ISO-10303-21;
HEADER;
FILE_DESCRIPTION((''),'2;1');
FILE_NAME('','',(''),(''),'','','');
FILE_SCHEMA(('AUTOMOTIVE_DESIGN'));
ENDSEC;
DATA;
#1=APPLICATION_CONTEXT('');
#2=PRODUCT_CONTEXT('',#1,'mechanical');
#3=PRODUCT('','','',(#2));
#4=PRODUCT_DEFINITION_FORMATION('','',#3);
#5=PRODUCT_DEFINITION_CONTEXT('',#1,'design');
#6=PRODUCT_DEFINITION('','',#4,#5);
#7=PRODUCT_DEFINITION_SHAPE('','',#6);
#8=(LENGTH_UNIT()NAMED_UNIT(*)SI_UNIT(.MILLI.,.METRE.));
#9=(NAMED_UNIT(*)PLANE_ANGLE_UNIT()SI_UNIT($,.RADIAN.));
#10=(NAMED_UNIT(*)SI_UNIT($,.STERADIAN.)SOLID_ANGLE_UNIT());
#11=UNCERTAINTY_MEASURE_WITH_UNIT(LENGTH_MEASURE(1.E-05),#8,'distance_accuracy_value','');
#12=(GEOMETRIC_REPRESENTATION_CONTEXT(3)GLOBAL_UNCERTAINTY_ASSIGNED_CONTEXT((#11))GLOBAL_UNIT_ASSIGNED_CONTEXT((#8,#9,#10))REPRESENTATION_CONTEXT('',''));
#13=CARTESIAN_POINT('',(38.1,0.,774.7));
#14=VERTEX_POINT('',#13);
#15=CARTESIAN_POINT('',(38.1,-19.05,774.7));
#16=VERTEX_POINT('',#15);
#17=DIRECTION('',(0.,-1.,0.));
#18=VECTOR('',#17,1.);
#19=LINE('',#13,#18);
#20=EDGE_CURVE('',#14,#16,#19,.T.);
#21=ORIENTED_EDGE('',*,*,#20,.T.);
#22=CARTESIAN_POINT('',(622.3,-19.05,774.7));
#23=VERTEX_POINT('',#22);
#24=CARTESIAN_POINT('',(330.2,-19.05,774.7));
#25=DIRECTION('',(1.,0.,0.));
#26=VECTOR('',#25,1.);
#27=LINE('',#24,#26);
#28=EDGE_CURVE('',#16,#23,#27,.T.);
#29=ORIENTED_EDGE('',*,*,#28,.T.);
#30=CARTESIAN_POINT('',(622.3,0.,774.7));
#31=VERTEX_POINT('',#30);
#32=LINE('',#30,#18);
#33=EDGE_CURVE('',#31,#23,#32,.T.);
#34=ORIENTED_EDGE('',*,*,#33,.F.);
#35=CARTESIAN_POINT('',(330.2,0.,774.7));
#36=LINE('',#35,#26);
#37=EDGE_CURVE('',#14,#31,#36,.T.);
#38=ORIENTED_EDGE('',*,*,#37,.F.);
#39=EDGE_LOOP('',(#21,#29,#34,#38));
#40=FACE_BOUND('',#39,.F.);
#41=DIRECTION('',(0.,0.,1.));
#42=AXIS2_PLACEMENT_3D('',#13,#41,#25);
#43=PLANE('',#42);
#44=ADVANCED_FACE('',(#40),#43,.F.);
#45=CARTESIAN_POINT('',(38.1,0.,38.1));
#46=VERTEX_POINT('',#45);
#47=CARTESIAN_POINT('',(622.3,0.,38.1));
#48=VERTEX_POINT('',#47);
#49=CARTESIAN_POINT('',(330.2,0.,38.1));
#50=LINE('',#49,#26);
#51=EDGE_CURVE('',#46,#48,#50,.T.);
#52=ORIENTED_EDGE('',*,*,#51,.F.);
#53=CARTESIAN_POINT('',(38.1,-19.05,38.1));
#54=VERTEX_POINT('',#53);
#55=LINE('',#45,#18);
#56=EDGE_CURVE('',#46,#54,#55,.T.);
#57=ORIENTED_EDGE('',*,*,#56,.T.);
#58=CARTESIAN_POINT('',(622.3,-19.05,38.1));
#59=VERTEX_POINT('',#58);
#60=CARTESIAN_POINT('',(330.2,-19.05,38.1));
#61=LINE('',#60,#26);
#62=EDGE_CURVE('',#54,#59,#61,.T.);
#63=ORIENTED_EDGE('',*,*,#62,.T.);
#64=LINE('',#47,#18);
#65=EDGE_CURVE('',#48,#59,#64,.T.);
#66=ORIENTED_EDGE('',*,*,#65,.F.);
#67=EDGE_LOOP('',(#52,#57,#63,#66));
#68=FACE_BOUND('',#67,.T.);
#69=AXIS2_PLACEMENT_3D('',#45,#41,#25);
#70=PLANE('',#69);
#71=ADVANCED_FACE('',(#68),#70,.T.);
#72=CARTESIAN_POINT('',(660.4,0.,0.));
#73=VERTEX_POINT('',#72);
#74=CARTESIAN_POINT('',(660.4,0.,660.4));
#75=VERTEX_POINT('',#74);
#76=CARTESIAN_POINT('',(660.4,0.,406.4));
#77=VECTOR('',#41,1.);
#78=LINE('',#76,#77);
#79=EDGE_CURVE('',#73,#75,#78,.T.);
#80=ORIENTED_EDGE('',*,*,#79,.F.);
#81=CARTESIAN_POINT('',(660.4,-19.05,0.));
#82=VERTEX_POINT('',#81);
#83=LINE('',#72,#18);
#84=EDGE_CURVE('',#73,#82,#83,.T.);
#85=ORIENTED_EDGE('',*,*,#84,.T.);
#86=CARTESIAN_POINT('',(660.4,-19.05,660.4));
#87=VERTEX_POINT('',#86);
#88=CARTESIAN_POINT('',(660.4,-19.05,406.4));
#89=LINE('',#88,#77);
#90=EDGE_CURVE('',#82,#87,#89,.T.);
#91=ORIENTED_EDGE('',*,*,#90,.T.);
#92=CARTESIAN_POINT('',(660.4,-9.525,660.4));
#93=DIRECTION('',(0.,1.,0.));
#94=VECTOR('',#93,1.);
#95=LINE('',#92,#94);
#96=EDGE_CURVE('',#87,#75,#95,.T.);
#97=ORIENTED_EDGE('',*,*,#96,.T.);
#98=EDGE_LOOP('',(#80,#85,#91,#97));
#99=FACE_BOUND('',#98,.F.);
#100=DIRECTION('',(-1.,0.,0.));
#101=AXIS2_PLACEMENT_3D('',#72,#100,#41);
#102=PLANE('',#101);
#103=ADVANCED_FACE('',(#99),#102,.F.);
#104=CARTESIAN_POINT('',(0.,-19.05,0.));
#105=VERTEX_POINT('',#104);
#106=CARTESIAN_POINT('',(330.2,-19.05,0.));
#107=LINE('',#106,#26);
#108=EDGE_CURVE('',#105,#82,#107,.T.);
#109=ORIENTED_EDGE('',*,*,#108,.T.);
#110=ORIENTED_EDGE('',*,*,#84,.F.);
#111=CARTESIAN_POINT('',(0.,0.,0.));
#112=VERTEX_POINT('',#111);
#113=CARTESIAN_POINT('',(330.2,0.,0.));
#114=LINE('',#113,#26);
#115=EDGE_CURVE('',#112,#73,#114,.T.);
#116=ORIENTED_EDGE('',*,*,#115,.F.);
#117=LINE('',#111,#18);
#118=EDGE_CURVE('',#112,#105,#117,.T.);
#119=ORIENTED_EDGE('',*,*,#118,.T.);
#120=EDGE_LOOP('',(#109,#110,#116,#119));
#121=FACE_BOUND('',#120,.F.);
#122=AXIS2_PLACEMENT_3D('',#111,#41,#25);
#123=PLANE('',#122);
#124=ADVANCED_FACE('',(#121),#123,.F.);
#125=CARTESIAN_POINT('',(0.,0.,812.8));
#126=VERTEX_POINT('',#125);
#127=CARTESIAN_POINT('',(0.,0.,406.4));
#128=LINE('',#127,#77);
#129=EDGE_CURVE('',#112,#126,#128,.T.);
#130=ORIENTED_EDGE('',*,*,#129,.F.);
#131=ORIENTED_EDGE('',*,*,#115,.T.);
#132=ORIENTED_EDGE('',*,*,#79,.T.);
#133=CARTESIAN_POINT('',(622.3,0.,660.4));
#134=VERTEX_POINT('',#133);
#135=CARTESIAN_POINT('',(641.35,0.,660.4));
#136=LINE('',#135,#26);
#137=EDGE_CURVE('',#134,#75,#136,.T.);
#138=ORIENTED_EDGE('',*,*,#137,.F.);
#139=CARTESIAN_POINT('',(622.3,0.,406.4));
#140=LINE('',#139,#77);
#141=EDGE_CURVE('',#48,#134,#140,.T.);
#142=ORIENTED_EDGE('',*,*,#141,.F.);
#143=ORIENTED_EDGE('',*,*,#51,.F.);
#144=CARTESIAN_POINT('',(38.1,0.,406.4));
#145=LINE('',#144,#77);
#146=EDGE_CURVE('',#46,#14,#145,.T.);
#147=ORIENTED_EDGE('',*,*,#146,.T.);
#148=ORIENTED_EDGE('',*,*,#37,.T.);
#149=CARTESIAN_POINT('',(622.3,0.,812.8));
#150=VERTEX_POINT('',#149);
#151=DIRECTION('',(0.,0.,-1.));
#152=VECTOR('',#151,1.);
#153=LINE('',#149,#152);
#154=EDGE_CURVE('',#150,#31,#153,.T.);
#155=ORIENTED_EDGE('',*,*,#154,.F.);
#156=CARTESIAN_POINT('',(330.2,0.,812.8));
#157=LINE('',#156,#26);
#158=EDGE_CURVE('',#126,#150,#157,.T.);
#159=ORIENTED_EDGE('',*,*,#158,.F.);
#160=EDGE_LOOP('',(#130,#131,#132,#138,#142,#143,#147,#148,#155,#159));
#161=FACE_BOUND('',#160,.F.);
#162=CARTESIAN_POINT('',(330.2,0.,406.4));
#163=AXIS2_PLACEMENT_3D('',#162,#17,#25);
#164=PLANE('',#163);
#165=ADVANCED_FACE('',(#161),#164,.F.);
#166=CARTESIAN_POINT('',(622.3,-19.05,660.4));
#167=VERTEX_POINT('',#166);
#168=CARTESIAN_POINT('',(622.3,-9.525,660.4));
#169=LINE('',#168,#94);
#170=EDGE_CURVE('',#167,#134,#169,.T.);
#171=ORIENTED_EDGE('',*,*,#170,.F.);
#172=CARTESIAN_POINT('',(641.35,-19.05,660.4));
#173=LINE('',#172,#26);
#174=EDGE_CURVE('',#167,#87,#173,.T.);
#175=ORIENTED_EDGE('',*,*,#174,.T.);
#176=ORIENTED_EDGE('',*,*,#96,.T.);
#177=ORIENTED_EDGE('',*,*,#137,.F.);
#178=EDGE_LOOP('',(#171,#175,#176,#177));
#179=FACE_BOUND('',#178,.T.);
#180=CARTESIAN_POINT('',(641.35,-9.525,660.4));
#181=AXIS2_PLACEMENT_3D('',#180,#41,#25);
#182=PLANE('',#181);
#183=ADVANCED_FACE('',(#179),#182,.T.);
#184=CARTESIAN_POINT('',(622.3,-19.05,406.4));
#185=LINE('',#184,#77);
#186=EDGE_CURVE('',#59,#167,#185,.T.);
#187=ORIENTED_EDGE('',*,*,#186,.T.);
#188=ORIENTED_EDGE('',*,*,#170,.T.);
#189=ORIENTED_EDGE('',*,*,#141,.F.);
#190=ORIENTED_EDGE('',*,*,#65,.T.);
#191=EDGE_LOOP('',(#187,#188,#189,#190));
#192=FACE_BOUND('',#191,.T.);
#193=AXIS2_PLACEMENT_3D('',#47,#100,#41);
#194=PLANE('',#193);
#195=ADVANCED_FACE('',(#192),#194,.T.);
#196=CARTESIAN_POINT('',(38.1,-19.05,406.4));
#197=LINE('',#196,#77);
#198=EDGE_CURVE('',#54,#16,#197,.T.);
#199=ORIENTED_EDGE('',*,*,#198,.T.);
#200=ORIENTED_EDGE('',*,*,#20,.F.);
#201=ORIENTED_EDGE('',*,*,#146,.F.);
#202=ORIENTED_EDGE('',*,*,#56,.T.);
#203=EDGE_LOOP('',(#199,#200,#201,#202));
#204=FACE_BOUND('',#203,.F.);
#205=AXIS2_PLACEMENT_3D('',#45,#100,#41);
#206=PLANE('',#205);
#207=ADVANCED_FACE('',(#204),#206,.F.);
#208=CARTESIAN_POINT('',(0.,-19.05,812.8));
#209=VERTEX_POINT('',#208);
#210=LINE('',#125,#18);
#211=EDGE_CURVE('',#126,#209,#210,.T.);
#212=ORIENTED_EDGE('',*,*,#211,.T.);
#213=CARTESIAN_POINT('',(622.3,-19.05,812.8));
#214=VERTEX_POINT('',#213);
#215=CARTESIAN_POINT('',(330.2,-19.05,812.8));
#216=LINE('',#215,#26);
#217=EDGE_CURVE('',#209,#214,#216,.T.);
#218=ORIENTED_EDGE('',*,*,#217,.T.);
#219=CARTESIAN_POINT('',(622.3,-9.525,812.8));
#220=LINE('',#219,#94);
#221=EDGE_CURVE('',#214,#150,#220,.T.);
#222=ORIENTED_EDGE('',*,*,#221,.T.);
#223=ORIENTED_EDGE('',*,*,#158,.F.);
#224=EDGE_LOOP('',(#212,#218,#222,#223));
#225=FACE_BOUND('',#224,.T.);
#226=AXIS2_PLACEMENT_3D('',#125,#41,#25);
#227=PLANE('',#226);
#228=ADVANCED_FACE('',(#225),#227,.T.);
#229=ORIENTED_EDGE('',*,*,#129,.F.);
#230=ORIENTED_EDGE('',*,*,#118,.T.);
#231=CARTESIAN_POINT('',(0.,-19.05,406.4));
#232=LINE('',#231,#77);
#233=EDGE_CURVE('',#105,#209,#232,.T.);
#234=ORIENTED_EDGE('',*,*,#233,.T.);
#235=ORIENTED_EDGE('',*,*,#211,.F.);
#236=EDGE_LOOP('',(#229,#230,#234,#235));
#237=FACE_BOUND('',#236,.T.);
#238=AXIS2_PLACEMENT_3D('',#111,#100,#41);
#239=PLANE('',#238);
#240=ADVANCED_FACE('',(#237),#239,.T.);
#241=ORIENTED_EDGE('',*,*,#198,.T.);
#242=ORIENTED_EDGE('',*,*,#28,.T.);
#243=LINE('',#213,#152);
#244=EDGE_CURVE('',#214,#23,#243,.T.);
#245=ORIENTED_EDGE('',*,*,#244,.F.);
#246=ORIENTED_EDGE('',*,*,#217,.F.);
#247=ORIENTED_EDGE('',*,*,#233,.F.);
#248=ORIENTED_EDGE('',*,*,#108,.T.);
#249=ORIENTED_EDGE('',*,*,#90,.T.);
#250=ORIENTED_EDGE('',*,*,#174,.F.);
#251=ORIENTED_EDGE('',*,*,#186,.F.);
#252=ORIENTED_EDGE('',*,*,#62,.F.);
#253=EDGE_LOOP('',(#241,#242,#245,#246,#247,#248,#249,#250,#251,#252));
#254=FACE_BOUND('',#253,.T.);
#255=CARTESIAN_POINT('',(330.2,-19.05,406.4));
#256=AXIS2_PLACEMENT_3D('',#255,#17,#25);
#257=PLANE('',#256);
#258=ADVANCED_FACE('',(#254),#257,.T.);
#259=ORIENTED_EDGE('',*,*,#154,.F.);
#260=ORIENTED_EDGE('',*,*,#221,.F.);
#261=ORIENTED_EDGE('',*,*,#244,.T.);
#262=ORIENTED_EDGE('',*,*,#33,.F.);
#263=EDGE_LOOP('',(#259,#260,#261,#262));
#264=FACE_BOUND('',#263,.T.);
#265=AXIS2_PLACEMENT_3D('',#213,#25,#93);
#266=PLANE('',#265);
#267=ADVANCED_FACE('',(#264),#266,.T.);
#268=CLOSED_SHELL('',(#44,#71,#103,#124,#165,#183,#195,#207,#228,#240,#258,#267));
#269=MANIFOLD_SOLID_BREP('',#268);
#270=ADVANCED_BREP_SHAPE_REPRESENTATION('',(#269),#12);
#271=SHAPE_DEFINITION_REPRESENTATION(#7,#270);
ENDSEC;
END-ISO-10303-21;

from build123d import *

# Parameters (mm, degrees)
F0_W     = 660.4
F0_H     = 812.8
F0_W_2   = 584.2
F0_H_2   = 736.6
F1_DEPTH = 19.05
F2_W     = 38.1
F2_H     = 19.05
F3_DEPTH = 152.4


with BuildPart() as f1:
    # F0 (on Front) → F1 (new body)
    with BuildSketch(Plane.XZ):
        with Locations((330.2, 406.4)):
            Rectangle(F0_W, F0_H)
        with Locations((330.2, 406.4)):
            Rectangle(F0_W_2, F0_H_2, mode=Mode.SUBTRACT)
    extrude(amount=F1_DEPTH)

    # F2 (on face) → F3 (cut)
    with BuildSketch(Plane.XY.offset(812.8)):
        with Locations((641.35, -9.525)):
            Rectangle(F2_W, F2_H)
    extrude(amount=-F3_DEPTH, mode=Mode.SUBTRACT)


solid = f1.part
